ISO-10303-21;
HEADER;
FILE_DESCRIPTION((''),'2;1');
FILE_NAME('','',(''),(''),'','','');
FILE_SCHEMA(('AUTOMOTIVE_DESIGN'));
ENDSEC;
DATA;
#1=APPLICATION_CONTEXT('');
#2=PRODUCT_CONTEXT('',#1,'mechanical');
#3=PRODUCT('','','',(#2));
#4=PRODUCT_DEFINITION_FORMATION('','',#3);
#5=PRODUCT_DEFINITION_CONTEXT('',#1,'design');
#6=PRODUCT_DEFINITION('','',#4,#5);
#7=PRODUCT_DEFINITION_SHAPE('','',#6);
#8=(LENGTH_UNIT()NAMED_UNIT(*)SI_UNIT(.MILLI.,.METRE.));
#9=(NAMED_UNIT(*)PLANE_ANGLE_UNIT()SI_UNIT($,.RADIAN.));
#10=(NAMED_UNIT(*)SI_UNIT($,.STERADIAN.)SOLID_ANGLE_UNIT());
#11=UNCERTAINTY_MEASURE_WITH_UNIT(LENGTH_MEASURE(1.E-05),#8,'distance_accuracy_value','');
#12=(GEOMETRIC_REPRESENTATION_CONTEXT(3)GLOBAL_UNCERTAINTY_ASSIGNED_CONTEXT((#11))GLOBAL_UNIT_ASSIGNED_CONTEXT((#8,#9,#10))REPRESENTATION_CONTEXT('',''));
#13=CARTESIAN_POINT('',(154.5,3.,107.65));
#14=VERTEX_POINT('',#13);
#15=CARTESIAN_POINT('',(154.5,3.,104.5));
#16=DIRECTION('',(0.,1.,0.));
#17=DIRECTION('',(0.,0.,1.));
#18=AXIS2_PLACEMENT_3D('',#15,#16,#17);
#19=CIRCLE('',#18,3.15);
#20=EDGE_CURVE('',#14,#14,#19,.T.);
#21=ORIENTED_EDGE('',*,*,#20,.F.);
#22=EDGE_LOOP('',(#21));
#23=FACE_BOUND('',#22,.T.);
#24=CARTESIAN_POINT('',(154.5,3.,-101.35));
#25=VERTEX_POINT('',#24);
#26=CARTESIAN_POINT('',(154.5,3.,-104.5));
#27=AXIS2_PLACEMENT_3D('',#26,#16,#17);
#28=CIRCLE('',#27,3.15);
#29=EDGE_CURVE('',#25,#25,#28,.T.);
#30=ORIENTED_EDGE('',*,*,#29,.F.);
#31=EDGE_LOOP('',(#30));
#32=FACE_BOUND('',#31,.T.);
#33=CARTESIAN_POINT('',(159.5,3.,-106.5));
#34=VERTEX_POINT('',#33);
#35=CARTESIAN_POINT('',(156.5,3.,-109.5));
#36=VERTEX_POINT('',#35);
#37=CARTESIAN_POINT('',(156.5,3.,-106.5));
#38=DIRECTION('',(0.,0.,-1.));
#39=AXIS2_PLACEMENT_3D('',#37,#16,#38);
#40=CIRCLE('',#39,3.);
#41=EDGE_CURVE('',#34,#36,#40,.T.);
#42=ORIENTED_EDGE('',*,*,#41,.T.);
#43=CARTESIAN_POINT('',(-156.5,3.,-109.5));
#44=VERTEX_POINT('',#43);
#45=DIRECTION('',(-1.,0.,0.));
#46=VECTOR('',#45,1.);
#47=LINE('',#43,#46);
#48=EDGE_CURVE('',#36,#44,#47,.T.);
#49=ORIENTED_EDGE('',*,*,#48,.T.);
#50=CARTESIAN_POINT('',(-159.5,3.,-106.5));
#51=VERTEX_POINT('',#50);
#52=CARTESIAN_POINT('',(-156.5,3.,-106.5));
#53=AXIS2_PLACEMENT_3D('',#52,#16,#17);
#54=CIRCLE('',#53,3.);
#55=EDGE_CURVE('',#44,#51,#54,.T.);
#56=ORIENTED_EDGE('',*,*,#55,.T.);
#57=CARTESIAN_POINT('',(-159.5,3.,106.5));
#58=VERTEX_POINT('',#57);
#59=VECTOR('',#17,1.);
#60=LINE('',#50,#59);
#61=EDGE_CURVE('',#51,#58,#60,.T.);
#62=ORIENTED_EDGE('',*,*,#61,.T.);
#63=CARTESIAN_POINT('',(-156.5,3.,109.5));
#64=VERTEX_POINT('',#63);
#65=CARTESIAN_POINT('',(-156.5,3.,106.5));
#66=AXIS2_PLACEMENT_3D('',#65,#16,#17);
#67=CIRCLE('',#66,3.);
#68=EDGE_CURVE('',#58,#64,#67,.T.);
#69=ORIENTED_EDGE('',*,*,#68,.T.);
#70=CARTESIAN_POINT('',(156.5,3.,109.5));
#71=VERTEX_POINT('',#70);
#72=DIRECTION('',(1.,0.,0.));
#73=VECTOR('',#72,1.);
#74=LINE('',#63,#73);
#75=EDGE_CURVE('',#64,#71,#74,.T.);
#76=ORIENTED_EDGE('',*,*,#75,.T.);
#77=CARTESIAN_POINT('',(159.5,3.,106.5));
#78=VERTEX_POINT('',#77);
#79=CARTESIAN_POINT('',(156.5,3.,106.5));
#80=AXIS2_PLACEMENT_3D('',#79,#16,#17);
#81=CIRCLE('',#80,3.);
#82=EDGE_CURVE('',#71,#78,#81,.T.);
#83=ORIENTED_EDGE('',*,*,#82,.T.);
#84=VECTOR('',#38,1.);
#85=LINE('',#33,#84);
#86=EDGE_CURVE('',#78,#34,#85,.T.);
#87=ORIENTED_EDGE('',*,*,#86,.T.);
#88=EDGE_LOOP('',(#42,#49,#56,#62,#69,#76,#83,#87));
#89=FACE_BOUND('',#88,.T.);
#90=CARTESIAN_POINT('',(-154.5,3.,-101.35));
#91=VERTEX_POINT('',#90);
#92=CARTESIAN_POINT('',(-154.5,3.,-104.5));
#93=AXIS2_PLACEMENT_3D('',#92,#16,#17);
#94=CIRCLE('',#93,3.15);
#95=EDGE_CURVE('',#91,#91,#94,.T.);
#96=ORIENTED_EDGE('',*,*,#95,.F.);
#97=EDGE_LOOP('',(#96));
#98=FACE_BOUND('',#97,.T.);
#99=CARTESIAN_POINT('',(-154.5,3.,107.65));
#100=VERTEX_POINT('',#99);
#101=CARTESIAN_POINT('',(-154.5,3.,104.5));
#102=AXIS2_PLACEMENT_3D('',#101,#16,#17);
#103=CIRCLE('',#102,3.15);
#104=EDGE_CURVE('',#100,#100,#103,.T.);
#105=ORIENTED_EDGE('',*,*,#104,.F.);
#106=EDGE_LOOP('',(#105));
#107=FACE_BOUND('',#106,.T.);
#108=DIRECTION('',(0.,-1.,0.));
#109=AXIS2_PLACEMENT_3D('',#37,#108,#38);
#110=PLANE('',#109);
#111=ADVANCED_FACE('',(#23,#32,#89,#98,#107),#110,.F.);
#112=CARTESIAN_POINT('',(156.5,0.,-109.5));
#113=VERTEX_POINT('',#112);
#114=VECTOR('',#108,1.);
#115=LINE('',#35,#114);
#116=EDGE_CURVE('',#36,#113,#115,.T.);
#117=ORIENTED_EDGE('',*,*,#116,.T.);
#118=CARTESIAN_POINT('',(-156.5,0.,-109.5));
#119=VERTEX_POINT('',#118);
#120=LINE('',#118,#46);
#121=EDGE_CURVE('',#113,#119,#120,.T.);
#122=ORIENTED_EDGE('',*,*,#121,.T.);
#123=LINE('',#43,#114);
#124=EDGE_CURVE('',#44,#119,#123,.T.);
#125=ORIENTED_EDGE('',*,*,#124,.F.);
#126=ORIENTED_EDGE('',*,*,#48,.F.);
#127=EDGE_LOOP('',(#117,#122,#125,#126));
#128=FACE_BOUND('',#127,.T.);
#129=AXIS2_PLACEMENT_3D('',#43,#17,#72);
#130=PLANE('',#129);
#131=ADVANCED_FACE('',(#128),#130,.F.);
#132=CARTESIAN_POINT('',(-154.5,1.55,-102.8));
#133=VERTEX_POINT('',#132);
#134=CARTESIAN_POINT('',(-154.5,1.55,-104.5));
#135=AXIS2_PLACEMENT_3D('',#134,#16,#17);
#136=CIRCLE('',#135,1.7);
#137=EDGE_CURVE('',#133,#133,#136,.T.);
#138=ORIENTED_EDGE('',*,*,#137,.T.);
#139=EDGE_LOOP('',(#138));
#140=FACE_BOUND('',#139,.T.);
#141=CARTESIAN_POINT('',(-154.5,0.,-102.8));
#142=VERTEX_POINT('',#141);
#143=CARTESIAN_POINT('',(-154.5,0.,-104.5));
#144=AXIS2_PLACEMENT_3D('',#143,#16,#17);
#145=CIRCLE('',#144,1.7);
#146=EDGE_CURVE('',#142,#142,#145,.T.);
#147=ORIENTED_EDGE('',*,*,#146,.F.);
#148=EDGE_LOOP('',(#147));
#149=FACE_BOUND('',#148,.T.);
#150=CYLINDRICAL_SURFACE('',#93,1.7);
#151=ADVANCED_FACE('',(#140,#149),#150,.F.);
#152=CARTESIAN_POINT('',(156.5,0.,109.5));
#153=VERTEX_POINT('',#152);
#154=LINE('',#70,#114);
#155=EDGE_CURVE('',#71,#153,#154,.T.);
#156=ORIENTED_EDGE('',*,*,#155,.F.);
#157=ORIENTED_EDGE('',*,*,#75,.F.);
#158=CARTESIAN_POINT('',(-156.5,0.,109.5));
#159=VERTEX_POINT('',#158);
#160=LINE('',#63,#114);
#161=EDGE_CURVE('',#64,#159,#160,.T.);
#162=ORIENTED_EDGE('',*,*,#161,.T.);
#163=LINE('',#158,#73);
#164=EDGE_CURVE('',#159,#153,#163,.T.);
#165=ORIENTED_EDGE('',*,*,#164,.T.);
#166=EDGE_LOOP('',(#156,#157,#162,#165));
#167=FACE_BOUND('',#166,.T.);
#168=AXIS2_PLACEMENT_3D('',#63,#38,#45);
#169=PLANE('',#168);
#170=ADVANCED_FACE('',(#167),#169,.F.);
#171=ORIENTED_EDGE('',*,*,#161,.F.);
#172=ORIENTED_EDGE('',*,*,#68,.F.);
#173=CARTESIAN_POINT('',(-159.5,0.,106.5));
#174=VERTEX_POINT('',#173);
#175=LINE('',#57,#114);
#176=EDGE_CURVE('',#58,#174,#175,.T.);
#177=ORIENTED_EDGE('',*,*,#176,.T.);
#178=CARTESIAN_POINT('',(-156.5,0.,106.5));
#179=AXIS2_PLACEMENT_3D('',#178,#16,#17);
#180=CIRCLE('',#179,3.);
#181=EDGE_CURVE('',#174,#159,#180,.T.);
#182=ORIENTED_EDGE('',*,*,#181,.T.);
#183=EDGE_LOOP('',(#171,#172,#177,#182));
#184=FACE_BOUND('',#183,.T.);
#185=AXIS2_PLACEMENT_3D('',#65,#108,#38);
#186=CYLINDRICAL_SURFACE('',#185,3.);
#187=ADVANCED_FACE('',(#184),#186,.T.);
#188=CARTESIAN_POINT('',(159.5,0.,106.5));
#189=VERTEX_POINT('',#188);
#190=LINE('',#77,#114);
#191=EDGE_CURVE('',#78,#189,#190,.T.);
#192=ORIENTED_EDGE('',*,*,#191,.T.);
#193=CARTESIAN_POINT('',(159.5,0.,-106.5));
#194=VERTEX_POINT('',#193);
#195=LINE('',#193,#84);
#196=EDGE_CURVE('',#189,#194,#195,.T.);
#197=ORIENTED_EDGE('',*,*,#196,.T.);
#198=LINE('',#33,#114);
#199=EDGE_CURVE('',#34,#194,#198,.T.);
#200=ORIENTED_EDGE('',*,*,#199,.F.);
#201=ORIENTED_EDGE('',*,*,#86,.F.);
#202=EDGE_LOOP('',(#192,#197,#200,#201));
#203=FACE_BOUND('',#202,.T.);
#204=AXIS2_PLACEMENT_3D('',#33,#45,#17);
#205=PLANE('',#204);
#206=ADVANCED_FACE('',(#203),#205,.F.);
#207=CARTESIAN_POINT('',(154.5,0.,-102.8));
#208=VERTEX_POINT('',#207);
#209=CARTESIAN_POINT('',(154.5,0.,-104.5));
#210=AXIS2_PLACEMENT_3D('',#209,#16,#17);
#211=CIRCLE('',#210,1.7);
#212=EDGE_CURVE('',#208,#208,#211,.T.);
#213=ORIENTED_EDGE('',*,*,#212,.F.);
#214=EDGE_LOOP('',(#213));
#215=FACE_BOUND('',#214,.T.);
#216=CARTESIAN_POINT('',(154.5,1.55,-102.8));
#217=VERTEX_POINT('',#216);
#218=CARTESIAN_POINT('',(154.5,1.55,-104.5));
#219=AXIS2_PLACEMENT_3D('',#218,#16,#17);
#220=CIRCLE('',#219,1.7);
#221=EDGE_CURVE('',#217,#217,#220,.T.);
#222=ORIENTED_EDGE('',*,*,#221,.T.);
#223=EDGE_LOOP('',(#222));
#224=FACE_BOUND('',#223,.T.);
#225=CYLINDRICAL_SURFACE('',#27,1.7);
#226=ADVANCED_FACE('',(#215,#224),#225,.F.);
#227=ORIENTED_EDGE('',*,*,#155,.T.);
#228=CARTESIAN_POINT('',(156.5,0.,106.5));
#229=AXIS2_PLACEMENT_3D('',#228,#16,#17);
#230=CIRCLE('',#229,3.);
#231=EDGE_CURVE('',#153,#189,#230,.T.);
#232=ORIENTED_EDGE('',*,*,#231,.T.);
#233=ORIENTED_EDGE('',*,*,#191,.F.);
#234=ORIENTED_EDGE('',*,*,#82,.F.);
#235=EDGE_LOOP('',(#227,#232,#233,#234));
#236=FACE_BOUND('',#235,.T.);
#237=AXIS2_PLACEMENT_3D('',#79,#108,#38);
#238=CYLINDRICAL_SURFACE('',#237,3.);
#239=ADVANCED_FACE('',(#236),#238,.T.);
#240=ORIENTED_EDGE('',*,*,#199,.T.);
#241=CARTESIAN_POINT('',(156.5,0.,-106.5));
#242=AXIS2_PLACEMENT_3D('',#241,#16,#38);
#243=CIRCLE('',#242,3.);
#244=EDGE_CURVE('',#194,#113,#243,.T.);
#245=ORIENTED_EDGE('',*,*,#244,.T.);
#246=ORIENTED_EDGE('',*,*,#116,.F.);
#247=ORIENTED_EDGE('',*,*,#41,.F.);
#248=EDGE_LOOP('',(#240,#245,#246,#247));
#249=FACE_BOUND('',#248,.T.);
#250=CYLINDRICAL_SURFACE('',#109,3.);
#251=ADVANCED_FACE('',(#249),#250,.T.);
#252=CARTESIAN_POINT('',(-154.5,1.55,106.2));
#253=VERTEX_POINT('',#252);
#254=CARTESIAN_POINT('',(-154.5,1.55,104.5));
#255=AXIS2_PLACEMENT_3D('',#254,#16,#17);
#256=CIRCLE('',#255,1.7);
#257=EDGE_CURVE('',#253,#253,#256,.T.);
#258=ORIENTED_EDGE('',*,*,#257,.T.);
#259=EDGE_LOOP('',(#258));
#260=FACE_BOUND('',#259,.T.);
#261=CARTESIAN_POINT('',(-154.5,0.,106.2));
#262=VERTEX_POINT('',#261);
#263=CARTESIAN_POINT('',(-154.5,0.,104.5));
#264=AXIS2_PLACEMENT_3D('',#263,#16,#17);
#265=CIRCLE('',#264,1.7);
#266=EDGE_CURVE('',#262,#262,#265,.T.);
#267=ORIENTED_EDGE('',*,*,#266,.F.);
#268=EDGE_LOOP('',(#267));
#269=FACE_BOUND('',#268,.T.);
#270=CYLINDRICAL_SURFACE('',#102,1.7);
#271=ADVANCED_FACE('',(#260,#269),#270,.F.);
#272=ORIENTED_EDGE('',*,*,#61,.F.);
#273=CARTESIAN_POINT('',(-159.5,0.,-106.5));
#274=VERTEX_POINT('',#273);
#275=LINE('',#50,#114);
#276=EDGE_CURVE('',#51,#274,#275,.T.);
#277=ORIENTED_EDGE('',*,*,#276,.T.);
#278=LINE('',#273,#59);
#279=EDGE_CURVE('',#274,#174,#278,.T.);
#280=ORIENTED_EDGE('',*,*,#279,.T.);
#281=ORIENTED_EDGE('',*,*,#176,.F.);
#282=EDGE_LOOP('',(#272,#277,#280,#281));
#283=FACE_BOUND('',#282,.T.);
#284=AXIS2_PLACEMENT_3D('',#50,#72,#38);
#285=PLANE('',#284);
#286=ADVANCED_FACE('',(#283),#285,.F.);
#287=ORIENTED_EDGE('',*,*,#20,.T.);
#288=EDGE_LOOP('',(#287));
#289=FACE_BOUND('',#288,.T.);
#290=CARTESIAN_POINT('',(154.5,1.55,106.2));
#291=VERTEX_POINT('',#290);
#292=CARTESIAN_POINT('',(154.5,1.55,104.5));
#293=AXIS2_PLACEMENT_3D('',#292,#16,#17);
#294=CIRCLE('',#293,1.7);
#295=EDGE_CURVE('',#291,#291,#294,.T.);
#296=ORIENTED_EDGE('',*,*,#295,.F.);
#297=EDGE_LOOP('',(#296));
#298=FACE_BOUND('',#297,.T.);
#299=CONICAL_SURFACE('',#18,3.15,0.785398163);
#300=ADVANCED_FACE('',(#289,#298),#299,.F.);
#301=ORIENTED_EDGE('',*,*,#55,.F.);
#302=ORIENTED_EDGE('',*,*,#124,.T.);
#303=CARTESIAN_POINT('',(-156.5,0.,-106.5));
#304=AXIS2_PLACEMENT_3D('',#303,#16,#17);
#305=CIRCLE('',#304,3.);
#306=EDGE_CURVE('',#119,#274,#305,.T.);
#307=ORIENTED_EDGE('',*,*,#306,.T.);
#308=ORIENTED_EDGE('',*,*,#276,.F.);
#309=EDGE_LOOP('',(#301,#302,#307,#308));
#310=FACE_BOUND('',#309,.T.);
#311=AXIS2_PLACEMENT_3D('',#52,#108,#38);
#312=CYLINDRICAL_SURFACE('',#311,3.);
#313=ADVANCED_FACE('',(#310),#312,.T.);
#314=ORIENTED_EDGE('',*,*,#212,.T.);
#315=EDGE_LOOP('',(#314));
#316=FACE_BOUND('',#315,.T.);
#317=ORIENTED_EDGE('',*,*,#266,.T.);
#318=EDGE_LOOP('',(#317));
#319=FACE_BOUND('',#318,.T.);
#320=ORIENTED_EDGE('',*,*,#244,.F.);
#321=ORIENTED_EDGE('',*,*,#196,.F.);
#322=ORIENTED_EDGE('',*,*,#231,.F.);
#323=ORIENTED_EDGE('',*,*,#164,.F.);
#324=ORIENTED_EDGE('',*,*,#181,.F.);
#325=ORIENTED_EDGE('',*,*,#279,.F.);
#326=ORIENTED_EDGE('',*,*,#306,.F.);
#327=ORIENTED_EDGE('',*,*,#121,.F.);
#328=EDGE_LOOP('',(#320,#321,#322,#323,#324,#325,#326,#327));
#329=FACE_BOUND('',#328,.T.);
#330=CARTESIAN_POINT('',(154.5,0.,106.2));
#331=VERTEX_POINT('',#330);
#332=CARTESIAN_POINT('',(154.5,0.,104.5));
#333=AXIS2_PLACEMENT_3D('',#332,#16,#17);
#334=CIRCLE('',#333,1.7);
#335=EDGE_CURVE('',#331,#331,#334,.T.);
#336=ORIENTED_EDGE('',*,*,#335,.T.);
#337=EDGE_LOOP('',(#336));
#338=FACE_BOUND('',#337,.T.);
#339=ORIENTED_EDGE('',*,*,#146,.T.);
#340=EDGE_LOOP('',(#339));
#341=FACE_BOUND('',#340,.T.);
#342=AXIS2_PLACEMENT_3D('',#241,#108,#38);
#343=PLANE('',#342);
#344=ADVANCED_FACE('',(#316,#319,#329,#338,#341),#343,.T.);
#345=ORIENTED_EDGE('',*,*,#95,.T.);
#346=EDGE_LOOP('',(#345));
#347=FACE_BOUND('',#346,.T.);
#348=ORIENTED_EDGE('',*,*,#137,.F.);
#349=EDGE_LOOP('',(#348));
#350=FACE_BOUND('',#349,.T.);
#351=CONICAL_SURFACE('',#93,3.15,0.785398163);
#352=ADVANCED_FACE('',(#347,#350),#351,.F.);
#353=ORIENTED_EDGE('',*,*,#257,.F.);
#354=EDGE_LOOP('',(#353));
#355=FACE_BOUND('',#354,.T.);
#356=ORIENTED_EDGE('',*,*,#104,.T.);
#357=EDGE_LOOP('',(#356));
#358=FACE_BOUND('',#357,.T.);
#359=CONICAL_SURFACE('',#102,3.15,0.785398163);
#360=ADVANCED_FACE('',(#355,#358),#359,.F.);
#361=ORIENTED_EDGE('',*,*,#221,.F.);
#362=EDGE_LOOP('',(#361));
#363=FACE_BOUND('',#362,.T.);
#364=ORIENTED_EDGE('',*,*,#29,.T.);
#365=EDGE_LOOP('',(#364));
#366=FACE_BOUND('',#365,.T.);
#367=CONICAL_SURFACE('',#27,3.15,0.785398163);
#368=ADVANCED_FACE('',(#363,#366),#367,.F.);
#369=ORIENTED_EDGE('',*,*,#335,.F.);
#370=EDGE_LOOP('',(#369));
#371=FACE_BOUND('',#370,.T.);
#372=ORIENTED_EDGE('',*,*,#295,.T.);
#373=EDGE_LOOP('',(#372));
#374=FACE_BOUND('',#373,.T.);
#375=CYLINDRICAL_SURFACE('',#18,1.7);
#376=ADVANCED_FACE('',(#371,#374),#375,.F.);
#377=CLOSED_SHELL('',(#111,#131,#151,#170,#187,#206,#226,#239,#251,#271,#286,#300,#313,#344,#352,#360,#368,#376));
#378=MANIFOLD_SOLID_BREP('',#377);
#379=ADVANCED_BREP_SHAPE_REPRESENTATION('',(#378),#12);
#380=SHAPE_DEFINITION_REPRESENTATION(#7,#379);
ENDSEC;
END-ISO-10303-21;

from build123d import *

# Parameters (mm, degrees)
BOSS_EXTRUDE1_DEPTH                            = 3
CSK_FOR_M3_FLAT_HEAD_MACHINE_SCREW1_AT_2_COUNT = 2
CSK_FOR_M3_FLAT_HEAD_MACHINE_SCREW1_AT_2_PITCH = 209
CSK_FOR_M3_FLAT_HEAD_MACHINE_SCREW1_AT_3_COUNT = 2
CSK_FOR_M3_FLAT_HEAD_MACHINE_SCREW1_AT_3_PITCH = 373.044233302
CSK_FOR_M3_FLAT_HEAD_MACHINE_SCREW1_AT_4_COUNT = 2
CSK_FOR_M3_FLAT_HEAD_MACHINE_SCREW1_AT_4_PITCH = 309


with BuildPart() as part:
    # Sketch1 → Boss-Extrude1 (new body)
    with BuildSketch(Plane(origin=(0, 0, 0), x_dir=(1, 0, 0), z_dir=(0, 1, 0))):
        with BuildLine():
            Line((-156.5, 109.5), (156.5, 109.5))
            ThreePointArc((156.5, 109.5), (158.621320344, 108.621320344), (159.5, 106.5))
            Line((159.5, 106.5), (159.5, -106.5))
            ThreePointArc((159.5, -106.5), (158.621320344, -108.621320344), (156.5, -109.5))
            Line((156.5, -109.5), (-156.5, -109.5))
            ThreePointArc((-156.5, -109.5), (-158.621320344, -108.621320344), (-159.5, -106.5))
            Line((-159.5, -106.5), (-159.5, 106.5))
            ThreePointArc((-159.5, 106.5), (-158.621320344, 108.621320344), (-156.5, 109.5))
        make_face()
    extrude(amount=BOSS_EXTRUDE1_DEPTH)

    # Sketch3 → CSK for M3 Flat Head Machine Screw1 (revolve, cut)
    with BuildSketch(Plane(origin=(-154.5, 3, -104.5), x_dir=(0, 0, 1), z_dir=(1, 0, 0))):
        Polygon((0, 0), (0, 3), (1.7, 3), (1.7, 1.45), (3.15, 0), align=None)
    csk_for_m3_flat_head_machine_screw1 = revolve(axis=Axis((-154.5, 9.35, -104.5), (0, -1, 0)), mode=Mode.SUBTRACT)

    # CSK for M3 Flat Head Machine Screw1 at 2: CSK for M3 Flat Head Machine Screw1 ×2
    with Locations(*[(0, 0, i * CSK_FOR_M3_FLAT_HEAD_MACHINE_SCREW1_AT_2_PITCH) for i in range(1, CSK_FOR_M3_FLAT_HEAD_MACHINE_SCREW1_AT_2_COUNT)]):
        add(csk_for_m3_flat_head_machine_screw1, mode=Mode.SUBTRACT)

    # CSK for M3 Flat Head Machine Screw1 at 3: CSK for M3 Flat Head Machine Screw1 ×2
    with Locations(*[Vector(0.828320002, 0, 0.560255276) * (i * CSK_FOR_M3_FLAT_HEAD_MACHINE_SCREW1_AT_3_PITCH) for i in range(1, CSK_FOR_M3_FLAT_HEAD_MACHINE_SCREW1_AT_3_COUNT)]):
        add(csk_for_m3_flat_head_machine_screw1, mode=Mode.SUBTRACT)

    # CSK for M3 Flat Head Machine Screw1 at 4: CSK for M3 Flat Head Machine Screw1 ×2
    with Locations(*[(i * CSK_FOR_M3_FLAT_HEAD_MACHINE_SCREW1_AT_4_PITCH, 0, 0) for i in range(1, CSK_FOR_M3_FLAT_HEAD_MACHINE_SCREW1_AT_4_COUNT)]):
        add(csk_for_m3_flat_head_machine_screw1, mode=Mode.SUBTRACT)


solid = part.part
